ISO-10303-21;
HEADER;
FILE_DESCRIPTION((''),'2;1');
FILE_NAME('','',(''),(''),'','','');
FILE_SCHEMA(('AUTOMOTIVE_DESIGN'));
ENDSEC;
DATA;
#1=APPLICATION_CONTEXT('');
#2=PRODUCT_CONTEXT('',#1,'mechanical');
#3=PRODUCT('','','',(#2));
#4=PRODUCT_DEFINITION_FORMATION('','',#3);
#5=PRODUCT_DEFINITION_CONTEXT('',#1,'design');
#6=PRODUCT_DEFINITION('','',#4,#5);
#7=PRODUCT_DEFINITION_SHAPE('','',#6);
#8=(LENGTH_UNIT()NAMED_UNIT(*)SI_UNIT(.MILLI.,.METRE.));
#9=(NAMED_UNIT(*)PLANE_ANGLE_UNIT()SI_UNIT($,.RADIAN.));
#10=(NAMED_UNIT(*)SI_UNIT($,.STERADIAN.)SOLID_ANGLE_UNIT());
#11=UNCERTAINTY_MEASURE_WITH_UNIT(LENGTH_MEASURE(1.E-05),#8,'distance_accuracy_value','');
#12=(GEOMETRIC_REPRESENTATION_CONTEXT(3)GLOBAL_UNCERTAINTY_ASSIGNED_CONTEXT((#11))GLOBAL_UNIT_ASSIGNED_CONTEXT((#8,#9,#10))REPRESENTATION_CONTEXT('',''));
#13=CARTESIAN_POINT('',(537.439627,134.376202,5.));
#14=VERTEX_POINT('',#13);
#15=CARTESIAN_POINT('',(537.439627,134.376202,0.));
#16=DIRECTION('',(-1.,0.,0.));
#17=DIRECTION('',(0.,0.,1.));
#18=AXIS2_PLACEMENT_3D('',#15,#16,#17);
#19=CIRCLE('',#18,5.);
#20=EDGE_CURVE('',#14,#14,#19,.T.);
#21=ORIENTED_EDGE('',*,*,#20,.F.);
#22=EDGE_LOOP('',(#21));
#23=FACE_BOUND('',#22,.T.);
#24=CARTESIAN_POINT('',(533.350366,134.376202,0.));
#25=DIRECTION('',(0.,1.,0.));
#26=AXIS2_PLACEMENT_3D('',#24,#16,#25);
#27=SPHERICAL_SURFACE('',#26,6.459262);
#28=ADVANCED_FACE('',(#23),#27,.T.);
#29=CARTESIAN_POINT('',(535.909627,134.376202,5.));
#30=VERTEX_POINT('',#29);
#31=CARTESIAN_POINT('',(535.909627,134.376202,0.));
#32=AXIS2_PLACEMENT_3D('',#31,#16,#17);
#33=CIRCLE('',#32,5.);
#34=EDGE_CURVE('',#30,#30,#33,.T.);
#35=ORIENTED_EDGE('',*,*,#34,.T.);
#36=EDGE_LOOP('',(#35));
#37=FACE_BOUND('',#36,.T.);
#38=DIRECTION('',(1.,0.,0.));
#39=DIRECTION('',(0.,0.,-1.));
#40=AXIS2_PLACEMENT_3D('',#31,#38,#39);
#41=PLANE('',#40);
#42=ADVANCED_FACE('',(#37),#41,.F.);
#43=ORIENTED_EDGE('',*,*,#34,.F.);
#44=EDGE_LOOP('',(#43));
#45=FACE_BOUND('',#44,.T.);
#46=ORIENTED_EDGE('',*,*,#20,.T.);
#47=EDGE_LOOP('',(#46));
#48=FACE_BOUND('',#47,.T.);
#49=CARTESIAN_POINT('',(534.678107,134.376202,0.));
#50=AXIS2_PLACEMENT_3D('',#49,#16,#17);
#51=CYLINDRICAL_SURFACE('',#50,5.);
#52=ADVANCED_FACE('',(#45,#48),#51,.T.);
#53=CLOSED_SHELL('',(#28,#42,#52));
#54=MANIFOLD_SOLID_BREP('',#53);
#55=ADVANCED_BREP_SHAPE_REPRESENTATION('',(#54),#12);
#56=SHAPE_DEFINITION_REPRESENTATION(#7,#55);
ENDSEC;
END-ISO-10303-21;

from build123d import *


with BuildPart() as part:
    # 草图1 → 旋转1 (revolve)
    with BuildSketch(Plane.XY):
        with BuildLine():
            Line((535.909627303, 134.376201921), (535.909627303, 139.376201921))
            Line((535.909627303, 139.376201921), (537.439627303, 139.376201921))
            ThreePointArc((537.439627303, 139.376201921), (539.187131539, 137.142828929), (539.809627303, 134.376201921))
            Line((539.809627303, 134.376201921), (535.909627303, 134.376201921))
        make_face()
    revolve(axis=Axis((534.678106729, 134.376201921, 0), (1, 0, 0)))


solid = part.part
